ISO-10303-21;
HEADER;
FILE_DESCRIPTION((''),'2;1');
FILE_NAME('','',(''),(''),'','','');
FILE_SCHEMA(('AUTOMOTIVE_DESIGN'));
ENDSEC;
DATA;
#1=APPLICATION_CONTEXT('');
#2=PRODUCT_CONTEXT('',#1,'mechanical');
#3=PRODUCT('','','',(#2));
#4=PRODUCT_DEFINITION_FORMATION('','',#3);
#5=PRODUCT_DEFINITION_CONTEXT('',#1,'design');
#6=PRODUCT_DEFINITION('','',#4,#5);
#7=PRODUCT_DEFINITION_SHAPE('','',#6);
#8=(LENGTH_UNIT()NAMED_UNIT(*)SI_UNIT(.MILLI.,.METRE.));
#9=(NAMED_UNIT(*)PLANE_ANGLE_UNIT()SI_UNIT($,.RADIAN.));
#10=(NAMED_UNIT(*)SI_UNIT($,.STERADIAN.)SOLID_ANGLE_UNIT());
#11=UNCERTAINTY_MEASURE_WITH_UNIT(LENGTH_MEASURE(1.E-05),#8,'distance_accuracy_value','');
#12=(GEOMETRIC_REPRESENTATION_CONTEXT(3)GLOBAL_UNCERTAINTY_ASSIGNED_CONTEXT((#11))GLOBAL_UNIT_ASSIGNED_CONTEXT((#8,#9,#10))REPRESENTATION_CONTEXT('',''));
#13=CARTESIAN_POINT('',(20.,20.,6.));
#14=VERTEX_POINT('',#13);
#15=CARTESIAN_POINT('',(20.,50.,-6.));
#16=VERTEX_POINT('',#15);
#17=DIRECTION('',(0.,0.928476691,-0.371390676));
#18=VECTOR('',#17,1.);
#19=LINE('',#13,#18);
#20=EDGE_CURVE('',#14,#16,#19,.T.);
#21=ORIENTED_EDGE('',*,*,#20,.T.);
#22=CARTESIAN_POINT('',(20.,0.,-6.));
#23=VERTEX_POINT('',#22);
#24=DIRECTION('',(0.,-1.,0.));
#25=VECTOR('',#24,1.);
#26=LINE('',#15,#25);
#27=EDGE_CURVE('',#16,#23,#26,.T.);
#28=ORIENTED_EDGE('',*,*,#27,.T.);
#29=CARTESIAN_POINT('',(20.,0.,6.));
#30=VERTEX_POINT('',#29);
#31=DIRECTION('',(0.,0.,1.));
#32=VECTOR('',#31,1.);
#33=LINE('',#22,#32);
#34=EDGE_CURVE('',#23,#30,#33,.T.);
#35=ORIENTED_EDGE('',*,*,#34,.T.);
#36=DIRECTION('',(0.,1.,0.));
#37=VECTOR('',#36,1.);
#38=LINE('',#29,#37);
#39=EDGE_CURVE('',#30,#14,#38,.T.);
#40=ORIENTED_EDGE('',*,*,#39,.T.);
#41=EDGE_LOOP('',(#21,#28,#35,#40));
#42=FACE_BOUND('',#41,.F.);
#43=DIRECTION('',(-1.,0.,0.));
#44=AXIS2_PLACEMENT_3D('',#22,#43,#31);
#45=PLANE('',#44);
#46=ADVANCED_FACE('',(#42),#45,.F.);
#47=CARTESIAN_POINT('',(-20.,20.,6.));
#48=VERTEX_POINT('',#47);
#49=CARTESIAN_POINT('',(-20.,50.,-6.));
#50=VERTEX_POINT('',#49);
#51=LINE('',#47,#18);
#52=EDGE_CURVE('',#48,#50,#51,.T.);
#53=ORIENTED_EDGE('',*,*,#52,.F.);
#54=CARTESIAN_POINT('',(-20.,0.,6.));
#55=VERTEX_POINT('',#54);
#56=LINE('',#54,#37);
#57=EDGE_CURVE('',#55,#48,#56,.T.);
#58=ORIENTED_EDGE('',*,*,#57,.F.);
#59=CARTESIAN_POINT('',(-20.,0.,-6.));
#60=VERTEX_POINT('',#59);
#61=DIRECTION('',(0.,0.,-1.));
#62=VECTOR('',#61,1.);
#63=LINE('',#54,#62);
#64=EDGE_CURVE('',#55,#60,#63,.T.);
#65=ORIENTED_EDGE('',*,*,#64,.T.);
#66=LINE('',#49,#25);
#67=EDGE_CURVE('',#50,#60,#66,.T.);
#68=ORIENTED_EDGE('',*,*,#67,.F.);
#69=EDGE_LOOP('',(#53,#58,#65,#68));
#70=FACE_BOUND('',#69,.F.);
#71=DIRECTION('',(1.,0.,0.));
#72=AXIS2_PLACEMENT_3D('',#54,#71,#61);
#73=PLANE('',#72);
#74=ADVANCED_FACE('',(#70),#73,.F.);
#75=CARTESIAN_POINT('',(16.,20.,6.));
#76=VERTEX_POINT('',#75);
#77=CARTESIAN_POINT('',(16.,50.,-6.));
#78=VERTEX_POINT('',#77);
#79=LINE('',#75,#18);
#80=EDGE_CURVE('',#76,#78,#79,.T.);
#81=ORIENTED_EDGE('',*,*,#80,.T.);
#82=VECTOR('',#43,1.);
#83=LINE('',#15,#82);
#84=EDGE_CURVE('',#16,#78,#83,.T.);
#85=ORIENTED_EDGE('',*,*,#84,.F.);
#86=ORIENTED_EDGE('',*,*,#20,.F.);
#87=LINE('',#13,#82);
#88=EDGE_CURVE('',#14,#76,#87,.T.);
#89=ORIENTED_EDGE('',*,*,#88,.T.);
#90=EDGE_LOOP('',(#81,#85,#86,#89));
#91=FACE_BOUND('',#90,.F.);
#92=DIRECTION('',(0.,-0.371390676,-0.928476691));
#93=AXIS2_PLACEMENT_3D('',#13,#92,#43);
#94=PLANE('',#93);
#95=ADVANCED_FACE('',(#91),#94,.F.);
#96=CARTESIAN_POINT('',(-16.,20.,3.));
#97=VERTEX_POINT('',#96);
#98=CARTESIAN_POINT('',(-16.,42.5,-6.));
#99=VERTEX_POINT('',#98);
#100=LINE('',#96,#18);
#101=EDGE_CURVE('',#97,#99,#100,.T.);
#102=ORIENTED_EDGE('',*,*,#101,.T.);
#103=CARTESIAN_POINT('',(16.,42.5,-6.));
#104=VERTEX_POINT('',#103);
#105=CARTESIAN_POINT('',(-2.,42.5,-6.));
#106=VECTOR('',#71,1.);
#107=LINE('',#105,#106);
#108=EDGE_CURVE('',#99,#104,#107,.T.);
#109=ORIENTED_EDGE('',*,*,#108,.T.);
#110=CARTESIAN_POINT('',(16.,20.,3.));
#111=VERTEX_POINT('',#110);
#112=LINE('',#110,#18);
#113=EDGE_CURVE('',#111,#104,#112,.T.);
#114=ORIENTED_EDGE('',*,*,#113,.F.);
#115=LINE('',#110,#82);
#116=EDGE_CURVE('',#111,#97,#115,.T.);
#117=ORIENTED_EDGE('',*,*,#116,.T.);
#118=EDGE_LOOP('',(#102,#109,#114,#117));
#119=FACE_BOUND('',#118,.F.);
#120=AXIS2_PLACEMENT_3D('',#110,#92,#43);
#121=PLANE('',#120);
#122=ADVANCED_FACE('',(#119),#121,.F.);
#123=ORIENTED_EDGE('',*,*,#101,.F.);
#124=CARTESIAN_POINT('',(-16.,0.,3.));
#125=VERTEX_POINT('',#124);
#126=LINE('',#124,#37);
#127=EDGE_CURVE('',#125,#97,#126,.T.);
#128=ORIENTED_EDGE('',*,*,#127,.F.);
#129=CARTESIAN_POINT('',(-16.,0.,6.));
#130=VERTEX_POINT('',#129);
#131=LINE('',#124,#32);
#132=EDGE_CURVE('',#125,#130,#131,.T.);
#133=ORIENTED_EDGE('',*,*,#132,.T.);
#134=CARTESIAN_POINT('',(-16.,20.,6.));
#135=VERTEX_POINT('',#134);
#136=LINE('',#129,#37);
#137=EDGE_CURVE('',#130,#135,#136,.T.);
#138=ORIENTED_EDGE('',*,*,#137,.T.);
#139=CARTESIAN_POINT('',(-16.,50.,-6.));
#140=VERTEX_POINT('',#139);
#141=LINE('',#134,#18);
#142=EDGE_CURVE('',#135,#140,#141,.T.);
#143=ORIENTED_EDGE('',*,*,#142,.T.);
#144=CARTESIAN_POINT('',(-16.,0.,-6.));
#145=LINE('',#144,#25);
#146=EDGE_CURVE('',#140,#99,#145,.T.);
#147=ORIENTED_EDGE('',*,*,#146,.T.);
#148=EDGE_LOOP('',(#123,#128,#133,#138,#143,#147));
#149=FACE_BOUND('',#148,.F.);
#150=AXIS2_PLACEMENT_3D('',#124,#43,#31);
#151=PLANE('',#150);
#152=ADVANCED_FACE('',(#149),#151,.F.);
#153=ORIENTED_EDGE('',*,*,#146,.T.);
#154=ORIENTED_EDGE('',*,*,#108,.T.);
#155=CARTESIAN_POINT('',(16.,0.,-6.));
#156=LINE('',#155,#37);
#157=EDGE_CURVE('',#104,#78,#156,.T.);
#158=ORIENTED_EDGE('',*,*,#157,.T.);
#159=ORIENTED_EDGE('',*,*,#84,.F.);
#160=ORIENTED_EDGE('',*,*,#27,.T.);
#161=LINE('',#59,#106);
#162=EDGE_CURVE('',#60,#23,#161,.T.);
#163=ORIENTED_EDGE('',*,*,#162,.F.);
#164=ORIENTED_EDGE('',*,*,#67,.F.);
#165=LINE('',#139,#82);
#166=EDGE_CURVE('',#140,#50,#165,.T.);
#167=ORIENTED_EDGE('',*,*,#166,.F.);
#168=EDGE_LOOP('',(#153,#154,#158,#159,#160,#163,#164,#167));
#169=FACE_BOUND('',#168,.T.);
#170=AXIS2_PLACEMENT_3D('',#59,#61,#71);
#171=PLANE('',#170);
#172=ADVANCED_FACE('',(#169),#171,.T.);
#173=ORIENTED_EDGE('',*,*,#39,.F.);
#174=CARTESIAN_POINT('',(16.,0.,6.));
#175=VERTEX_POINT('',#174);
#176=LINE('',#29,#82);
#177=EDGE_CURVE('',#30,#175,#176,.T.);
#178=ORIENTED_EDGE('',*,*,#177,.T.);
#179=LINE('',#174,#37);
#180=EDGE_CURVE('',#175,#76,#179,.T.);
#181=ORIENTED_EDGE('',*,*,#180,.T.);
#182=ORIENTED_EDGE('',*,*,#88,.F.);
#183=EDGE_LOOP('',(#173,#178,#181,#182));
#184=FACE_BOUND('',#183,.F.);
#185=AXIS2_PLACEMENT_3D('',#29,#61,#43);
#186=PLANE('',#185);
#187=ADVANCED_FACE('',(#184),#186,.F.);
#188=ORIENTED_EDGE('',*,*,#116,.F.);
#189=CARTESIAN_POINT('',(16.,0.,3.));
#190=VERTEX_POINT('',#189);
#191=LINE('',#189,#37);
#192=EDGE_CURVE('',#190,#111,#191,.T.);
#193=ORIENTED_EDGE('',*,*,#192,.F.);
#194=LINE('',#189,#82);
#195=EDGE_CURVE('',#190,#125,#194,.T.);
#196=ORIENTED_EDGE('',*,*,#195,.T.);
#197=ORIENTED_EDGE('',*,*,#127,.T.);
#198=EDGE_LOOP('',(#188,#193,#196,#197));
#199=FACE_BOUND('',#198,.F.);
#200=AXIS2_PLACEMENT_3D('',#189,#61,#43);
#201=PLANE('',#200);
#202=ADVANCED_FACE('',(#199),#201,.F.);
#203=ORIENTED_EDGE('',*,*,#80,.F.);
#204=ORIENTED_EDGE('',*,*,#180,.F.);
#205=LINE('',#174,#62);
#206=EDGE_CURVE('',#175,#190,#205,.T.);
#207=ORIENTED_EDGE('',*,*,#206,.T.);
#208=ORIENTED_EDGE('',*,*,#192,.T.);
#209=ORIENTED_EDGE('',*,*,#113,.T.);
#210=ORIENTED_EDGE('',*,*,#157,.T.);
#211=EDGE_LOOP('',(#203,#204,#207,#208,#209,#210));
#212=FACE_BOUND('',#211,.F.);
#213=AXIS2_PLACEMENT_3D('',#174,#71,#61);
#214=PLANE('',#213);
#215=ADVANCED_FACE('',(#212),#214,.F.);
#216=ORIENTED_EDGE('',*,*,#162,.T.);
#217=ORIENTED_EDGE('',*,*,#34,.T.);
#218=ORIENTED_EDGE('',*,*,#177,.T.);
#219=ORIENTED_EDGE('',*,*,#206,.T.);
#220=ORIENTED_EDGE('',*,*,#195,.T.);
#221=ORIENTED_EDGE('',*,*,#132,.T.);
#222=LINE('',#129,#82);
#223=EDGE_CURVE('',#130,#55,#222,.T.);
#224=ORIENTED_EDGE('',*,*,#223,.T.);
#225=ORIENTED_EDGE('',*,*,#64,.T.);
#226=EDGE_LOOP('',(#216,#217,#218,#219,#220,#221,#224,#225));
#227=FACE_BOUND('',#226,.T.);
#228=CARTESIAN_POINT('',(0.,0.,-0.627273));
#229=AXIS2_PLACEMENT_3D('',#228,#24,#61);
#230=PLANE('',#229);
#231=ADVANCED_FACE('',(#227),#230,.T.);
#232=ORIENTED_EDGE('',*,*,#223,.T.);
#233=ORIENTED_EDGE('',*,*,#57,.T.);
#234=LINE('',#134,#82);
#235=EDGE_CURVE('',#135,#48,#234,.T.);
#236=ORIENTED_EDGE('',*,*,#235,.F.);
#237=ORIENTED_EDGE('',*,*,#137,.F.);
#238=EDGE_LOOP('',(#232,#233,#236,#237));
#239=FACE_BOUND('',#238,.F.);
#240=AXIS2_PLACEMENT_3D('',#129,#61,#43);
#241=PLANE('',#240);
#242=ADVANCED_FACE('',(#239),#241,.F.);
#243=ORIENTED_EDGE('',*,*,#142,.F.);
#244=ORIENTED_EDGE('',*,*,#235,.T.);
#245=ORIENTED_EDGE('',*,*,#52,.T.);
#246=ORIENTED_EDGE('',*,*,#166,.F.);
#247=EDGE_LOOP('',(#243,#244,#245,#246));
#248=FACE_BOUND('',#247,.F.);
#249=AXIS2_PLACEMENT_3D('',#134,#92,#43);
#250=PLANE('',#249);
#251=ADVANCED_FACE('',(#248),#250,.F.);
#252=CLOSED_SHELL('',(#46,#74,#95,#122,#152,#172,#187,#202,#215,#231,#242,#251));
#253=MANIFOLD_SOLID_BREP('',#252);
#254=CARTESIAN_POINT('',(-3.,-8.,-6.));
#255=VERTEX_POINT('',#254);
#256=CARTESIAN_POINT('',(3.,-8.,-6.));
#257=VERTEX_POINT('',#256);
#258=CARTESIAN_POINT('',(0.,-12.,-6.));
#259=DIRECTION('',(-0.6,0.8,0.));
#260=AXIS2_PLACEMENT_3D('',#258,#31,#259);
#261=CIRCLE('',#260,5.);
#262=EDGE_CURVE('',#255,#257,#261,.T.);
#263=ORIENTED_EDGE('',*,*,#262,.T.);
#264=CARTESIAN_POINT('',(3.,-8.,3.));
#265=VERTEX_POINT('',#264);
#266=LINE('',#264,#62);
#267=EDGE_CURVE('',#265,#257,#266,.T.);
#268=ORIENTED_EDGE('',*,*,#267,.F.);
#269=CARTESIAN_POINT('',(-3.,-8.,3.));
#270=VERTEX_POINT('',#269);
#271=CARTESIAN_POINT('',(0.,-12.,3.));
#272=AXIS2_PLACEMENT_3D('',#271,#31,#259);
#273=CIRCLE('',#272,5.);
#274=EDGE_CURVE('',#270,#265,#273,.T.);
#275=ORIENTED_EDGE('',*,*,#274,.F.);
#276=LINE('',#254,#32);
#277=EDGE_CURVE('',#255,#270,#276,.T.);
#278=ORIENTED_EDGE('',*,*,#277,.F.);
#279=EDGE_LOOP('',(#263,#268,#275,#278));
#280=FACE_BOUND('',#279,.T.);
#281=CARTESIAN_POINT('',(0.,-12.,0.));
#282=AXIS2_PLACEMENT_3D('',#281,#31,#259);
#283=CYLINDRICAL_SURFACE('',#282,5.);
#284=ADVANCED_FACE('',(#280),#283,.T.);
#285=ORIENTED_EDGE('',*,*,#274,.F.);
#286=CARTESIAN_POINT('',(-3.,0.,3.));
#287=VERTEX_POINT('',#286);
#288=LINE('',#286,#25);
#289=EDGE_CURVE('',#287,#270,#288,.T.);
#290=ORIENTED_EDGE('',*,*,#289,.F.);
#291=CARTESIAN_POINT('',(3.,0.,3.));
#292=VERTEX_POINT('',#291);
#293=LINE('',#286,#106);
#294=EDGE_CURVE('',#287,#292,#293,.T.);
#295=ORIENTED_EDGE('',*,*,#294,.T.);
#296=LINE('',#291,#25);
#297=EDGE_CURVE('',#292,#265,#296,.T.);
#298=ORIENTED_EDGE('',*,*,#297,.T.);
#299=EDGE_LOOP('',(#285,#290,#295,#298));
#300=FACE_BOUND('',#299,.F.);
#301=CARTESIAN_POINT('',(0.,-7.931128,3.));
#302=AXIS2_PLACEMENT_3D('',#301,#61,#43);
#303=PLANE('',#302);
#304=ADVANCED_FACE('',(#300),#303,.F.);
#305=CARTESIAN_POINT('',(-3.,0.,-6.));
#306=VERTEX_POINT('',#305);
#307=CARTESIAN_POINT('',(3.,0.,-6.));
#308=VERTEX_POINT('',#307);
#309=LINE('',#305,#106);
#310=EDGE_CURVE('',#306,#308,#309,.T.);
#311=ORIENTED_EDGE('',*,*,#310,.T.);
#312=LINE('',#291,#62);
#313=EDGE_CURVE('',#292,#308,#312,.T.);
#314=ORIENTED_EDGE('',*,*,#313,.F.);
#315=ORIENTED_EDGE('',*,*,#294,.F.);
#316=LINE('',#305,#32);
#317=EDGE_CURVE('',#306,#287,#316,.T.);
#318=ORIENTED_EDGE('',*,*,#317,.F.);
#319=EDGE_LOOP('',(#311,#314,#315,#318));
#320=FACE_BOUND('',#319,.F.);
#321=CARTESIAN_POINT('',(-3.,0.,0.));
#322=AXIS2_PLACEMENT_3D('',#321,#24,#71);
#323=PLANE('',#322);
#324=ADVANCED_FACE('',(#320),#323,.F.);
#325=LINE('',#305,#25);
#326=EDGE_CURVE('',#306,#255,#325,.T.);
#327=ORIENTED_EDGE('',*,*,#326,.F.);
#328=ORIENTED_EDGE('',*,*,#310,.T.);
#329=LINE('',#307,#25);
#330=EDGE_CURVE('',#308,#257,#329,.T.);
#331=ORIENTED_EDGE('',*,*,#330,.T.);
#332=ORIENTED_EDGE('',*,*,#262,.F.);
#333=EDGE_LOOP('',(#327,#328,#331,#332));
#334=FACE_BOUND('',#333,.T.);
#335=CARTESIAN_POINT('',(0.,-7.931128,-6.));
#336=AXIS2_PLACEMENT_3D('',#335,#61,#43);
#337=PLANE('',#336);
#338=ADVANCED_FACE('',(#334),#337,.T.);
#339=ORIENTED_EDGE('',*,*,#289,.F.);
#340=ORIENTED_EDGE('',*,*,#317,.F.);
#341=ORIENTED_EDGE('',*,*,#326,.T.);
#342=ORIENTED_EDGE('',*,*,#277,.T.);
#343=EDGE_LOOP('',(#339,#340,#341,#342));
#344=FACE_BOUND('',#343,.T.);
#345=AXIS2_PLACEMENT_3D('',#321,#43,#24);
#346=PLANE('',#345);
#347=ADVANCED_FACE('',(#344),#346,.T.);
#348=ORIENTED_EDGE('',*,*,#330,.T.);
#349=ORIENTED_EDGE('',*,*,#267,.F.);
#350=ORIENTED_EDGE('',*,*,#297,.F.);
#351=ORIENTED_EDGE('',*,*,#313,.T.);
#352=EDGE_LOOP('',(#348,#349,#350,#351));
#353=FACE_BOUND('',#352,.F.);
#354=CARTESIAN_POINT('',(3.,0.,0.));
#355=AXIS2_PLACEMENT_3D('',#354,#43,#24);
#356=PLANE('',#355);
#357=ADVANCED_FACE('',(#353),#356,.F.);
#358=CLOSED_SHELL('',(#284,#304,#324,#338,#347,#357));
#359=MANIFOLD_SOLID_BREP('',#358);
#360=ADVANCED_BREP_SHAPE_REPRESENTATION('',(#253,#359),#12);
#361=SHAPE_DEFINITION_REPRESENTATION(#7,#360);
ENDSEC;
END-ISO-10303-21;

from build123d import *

# Parameters (mm, degrees)
SKETCH004_W          = 40
SKETCH004_H          = 12
POCKET001_DEPTH      = 50.001
POCKET001_DEPTH_BACK = -0.001
POCKET_DEPTH         = 50.001
POCKET_DEPTH_BACK    = -0.001
PAD_DEPTH            = 3
PAD_DEPTH_BACK       = 6


with BuildPart() as body:
    # AdditivePipe: sweep along a path in Sketch
    with BuildLine(Plane.YZ) as additivepipe_path:
        Line((0, 0), (20, 0))
        Line((20, 0), (50, -12))
    # Sketch001 → AdditivePipe (sweep)
    with BuildSketch(Plane.XZ):
        Polygon((-20, 6), (-20, -6), (20, -6), (20, 6), (16, 6), (16, 3), (9, 3), (-9, 3), (-16, 3), (-16, 6), align=None)
    sweep(path=additivepipe_path.line)

    # Sketch004 → Pocket001 (cut, two sides)
    with BuildSketch(Plane.XZ) as pocket001_sk:
        with Locations((0, -12)):
            Rectangle(SKETCH004_W, SKETCH004_H)
    extrude(amount=-POCKET001_DEPTH, mode=Mode.SUBTRACT)
    extrude(pocket001_sk.sketch, amount=-POCKET001_DEPTH_BACK, mode=Mode.SUBTRACT)

    # Sketch004 → Pocket (cut, two sides)
    with BuildSketch(Plane.XZ) as pocket_sk:
        with Locations((0, -12)):
            Rectangle(SKETCH004_W, SKETCH004_H)
    extrude(amount=-POCKET_DEPTH, mode=Mode.SUBTRACT)
    extrude(pocket_sk.sketch, amount=-POCKET_DEPTH_BACK, mode=Mode.SUBTRACT)


with BuildPart() as body001:
    # Sketch005 → Pad (new body, two sides)
    with BuildSketch(Plane.XY) as pad_sk:
        with BuildLine():
            Line((-3, 0), (3, 0))
            Line((3, 0), (3, -8))
            ThreePointArc((-3, -8), (0, -17), (3, -8))
            Line((-3, 0), (-3, -8))
        make_face()
    extrude(amount=PAD_DEPTH)
    extrude(pad_sk.sketch, amount=-PAD_DEPTH_BACK)


solid = Compound([body.part, body001.part])
